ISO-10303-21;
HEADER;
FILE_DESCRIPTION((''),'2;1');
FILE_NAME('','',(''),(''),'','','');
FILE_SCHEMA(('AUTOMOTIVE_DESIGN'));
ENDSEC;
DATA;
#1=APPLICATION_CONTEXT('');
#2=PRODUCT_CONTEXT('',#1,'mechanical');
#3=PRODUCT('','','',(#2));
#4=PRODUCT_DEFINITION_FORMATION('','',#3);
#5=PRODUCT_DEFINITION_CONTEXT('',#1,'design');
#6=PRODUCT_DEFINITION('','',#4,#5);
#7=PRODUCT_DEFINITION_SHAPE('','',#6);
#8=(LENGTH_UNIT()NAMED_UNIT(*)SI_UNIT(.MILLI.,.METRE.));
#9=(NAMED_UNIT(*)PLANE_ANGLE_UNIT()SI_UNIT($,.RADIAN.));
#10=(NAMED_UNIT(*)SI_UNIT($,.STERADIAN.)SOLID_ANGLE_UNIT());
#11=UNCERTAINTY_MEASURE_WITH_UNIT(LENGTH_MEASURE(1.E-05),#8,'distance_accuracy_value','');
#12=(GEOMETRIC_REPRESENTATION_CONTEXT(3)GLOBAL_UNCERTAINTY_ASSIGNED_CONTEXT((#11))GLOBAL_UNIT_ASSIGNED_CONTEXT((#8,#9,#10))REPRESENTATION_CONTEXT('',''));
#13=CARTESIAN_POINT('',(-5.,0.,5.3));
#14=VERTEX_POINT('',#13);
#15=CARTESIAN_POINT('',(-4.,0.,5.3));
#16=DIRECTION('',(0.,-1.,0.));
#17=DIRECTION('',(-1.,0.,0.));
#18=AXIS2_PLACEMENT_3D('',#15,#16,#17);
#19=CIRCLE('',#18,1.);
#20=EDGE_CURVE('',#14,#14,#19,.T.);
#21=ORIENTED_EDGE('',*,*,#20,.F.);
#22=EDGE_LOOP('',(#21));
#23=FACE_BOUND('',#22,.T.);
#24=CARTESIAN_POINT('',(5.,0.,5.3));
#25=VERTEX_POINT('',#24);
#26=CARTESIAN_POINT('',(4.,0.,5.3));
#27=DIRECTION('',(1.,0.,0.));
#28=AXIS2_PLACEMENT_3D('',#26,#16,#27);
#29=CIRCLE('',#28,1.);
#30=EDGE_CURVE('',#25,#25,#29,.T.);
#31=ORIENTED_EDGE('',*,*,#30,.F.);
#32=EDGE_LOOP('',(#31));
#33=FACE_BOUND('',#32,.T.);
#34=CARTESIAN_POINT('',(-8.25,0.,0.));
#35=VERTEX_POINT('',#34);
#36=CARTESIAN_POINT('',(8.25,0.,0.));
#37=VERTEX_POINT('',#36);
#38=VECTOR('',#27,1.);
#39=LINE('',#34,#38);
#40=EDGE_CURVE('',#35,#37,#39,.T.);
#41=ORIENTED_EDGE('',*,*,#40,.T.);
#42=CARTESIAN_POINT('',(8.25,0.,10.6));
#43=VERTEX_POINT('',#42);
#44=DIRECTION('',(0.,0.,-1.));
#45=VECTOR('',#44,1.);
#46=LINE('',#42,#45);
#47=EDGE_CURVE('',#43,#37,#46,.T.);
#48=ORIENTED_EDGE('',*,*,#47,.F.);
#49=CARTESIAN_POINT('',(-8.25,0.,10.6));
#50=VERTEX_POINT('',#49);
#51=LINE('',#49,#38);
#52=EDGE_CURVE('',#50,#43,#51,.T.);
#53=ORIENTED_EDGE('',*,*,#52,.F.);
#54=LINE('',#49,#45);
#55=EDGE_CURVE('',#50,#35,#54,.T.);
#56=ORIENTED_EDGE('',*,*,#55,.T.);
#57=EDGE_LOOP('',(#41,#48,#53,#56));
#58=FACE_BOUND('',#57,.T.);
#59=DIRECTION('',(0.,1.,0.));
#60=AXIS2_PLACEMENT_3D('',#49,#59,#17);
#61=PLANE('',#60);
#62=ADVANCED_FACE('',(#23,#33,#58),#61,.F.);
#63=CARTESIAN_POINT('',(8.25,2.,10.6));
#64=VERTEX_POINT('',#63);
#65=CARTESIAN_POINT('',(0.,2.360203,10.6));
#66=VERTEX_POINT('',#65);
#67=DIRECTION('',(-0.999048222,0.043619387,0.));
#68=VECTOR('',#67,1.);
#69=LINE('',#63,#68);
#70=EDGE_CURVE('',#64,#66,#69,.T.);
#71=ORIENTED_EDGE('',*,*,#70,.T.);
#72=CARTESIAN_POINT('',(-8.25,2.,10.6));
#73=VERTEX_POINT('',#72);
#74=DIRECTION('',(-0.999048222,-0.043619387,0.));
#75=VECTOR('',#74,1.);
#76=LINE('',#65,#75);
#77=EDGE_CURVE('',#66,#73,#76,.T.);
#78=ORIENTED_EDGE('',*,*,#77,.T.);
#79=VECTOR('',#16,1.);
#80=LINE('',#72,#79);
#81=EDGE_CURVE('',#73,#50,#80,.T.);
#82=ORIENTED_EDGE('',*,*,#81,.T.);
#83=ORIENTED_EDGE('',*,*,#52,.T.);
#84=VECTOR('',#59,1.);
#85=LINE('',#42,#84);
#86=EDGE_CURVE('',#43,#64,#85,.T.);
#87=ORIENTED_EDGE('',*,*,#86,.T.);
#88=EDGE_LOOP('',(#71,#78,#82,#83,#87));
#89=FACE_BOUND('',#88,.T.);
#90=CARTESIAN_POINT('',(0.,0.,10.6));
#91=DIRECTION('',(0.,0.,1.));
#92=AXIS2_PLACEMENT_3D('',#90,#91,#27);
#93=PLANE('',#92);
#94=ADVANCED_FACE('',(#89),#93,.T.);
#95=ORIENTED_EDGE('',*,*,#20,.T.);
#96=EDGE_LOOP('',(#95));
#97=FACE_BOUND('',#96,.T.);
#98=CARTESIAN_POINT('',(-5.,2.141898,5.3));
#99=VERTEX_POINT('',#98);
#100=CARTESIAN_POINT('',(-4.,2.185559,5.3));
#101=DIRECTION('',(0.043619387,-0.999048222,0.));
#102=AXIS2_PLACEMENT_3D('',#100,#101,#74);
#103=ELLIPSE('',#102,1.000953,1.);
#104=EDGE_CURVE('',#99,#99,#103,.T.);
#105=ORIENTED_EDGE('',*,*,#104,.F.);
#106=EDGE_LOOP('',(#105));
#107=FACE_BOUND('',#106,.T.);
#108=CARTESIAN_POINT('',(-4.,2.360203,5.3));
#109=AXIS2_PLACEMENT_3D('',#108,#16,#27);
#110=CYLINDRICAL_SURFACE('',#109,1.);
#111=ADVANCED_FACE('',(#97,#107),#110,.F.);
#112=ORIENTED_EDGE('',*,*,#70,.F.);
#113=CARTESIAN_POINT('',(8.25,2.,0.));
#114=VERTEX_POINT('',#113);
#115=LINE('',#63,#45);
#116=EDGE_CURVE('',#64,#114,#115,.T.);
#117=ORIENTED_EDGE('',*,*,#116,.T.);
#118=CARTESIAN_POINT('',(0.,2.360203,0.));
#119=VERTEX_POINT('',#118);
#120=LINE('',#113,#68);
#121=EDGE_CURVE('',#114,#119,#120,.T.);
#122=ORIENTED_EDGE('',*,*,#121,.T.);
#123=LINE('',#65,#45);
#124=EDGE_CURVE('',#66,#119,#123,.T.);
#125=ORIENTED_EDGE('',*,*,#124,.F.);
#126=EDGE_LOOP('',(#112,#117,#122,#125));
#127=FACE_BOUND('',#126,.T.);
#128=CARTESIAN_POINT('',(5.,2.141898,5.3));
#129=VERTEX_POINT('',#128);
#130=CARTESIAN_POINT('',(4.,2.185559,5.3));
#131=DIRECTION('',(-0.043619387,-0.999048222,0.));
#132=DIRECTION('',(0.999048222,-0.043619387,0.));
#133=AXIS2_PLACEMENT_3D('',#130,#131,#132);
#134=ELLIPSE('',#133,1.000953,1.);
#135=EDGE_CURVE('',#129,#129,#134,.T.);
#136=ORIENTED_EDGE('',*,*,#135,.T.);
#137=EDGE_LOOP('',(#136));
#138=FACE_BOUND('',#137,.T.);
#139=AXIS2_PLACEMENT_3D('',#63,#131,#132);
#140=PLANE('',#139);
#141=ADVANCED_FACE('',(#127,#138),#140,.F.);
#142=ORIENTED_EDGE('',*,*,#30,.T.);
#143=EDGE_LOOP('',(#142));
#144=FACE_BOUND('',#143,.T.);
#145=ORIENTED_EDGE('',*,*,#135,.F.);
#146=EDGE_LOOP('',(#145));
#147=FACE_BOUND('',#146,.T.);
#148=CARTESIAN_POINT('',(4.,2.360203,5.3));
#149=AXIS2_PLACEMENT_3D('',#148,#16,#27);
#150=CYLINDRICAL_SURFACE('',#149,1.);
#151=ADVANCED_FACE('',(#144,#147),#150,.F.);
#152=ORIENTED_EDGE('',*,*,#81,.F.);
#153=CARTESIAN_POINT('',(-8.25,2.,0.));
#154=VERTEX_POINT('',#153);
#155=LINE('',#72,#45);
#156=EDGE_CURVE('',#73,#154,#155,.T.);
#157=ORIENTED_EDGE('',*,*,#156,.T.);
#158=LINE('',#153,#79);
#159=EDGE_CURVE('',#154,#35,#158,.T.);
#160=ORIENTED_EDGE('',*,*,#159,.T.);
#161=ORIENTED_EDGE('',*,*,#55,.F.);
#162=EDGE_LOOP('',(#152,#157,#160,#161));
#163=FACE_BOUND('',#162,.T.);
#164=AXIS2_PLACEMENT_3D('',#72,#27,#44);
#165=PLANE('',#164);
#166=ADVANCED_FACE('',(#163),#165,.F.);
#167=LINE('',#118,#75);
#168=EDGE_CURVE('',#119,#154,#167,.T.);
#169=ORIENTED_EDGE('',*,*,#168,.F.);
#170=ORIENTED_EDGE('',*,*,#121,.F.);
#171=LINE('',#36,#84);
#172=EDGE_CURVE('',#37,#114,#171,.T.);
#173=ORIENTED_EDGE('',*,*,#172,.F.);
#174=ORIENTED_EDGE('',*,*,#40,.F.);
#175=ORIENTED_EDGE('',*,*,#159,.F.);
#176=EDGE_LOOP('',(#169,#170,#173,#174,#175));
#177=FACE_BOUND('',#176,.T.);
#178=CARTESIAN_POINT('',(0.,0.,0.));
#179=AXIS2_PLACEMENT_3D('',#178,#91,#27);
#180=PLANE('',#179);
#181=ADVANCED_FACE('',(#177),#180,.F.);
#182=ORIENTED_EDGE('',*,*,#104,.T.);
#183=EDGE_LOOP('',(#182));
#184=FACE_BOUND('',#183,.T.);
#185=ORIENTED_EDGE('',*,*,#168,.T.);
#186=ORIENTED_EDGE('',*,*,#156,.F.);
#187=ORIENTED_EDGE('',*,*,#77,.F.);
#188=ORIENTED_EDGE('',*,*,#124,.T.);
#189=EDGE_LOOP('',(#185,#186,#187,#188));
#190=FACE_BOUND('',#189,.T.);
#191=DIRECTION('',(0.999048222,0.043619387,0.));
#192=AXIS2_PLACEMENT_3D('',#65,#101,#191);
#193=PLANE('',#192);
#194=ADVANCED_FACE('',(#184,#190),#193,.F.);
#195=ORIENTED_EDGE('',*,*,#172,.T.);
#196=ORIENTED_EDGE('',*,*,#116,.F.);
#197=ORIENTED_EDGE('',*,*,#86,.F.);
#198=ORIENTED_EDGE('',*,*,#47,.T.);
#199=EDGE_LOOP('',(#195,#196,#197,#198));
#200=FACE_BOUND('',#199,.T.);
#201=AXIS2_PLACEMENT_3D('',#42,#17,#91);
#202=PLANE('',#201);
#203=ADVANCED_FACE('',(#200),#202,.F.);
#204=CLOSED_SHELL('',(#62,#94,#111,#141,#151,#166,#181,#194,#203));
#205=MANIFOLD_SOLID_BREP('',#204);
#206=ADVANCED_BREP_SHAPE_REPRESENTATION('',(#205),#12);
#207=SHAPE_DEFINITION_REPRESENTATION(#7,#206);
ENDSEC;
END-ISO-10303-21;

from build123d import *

# Parameters (mm, degrees)
EXTRUDE_1_DEPTH     = 10.6
SKETCH_2_R          = 1
CUT_EXTRUDE_1_DEPTH = 14.637927158


with BuildPart() as part:
    # 草图1 → 凸台-拉伸1 (new body)
    with BuildSketch(Plane.XY):
        Polygon((-8.25, 0), (8.25, 0), (8.25, 2), (0, 2.360202779), (-8.25, 2), align=None)
    extrude(amount=EXTRUDE_1_DEPTH)

    # 草图2 → 切除-拉伸1 (cut, through all)
    with BuildSketch(Plane.XZ):
        with Locations((4, 5.3)):
            Circle(SKETCH_2_R)
        with Locations(Location((-4, 5.3, 0), (0, 0, 180))):
            Circle(SKETCH_2_R)
    extrude(amount=-CUT_EXTRUDE_1_DEPTH, mode=Mode.SUBTRACT)


solid = part.part
